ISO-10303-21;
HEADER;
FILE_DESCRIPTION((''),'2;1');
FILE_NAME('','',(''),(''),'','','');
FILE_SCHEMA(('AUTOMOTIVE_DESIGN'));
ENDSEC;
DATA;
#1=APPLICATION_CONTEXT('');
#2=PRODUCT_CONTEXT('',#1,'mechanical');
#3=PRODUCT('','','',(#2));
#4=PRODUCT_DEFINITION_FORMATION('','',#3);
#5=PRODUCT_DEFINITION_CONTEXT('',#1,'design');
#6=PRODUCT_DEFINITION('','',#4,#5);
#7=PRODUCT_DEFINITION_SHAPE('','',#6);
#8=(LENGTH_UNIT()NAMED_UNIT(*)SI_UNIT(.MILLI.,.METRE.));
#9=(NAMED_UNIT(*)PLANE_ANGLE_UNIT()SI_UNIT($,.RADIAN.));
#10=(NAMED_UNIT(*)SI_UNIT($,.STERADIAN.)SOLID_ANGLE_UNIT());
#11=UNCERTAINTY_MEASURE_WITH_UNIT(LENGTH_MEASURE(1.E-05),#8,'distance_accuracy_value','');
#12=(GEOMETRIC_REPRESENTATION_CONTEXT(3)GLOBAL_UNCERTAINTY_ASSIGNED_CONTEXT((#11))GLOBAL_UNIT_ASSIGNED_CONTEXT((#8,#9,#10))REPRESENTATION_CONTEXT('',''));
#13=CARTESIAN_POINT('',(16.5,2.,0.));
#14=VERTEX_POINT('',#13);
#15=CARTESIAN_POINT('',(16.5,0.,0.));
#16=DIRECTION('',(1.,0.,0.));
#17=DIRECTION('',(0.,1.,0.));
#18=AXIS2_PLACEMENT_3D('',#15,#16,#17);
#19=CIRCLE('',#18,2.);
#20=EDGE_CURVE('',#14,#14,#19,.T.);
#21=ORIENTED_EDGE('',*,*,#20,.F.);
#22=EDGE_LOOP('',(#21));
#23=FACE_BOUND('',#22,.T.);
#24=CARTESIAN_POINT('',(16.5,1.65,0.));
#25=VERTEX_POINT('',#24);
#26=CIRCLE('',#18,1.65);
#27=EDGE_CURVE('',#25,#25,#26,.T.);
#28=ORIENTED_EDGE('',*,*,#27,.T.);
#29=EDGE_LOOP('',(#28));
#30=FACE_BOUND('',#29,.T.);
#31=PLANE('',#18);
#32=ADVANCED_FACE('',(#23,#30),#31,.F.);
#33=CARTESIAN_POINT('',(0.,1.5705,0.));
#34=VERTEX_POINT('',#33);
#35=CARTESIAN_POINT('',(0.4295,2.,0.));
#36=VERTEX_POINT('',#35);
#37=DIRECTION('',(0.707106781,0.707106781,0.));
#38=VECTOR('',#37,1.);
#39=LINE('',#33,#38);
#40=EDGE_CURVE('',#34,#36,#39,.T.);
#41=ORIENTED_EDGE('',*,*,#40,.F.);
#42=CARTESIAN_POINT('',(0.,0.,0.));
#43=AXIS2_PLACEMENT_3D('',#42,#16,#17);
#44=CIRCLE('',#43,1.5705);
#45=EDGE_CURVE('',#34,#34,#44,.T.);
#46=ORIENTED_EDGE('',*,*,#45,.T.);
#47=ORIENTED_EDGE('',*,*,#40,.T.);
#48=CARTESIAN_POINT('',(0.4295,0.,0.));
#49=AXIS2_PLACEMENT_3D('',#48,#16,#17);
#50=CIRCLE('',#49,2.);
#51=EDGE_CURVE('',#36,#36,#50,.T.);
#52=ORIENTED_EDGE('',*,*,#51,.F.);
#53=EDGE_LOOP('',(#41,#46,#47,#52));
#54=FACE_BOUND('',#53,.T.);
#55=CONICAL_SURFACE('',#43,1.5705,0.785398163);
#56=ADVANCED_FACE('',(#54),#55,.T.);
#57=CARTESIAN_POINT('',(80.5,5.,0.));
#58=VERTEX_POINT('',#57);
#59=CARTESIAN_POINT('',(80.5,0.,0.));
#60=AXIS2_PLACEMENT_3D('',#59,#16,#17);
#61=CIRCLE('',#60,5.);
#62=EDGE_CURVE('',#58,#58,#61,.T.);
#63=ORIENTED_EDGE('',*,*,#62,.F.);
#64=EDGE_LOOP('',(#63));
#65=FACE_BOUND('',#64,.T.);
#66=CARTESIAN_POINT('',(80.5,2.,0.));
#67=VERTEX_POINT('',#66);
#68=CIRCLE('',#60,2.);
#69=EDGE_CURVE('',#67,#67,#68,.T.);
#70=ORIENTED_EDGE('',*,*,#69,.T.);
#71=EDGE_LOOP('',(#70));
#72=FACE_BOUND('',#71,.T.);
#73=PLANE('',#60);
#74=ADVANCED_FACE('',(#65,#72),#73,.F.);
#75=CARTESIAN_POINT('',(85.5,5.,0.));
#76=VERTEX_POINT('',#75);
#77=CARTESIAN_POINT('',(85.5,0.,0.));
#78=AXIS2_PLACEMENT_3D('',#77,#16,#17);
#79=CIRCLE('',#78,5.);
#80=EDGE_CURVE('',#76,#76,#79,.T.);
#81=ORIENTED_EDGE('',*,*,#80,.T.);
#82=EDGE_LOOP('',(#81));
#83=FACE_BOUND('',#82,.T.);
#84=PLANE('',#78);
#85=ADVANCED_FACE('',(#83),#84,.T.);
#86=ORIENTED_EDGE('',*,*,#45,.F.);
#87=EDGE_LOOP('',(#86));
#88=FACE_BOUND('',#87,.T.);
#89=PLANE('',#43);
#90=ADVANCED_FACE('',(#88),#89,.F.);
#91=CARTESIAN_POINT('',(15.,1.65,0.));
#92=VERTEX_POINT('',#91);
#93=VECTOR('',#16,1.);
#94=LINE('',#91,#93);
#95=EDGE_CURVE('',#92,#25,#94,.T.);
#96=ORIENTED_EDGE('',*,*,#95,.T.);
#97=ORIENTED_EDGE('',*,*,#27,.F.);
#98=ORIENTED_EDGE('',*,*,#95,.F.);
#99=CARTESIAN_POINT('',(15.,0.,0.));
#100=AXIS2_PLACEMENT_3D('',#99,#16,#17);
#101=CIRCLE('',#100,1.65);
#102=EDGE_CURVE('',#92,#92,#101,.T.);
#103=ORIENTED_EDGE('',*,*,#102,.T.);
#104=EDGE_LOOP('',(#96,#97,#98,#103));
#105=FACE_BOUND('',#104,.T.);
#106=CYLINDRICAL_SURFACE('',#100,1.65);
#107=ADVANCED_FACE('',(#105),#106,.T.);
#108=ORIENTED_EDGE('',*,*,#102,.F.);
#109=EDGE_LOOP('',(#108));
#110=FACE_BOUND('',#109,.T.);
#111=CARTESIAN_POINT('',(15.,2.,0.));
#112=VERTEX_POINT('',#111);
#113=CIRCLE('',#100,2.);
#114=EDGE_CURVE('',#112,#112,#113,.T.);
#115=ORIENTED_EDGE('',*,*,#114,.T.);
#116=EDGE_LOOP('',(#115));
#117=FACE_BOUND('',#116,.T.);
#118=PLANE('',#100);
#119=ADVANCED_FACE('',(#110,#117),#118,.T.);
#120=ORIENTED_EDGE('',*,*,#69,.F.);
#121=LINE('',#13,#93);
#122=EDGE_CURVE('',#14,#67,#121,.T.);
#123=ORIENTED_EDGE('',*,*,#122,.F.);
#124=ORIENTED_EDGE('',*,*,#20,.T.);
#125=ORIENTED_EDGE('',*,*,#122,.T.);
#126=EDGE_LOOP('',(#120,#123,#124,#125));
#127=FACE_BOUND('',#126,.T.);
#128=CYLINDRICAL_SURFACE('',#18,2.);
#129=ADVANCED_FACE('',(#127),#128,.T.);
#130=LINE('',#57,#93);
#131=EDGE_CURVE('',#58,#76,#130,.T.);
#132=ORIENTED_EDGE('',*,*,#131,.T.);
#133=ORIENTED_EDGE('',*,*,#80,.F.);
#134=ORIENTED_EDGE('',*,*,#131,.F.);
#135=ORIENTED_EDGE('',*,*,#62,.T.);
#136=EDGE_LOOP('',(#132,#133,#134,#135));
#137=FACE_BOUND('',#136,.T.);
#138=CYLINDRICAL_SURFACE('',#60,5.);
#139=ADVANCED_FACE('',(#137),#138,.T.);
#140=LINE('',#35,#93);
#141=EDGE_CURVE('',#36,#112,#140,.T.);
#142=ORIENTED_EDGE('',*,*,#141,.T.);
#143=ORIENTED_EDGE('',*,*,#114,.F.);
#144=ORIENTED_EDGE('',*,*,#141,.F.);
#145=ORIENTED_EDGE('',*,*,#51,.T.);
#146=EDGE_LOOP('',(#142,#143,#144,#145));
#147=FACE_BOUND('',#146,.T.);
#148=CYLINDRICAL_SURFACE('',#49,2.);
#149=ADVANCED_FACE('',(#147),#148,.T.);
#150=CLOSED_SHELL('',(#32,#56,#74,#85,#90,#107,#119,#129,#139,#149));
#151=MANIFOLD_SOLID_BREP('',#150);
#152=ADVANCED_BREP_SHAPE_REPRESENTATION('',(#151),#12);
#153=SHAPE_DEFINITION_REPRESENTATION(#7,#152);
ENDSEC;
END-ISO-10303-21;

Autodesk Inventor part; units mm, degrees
sketch "Sketch_2" plane through (0, 0, 0) normal (0, 0, 1) x (1, 0, 0)
  line L0 (85.5, 0) -> (0, 0)
  line L1 (0, 0) -> (0, 1.5705)
  line L2 (0, 1.5705) -> (0.4295, 2)
  line L3 (0.4295, 2) -> (15, 2)
  line L4 (15, 2) -> (15, 1.65)
  line L5 (15, 1.65) -> (16.5, 1.65)
  line L6 (16.5, 1.65) -> (16.5, 2)
  line L7 (16.5, 2) -> (80.5, 2)
  line L8 (80.5, 2) -> (80.5, 5)
  line L9 (80.5, 5) -> (85.5, 5)
  line L10 (85.5, 5) -> (85.5, 0)
  line L11 (85.5, 0) -> (0, 0)
revolve "Revolution1" add sketch "Sketch_2" angle 360 about axis through (85.5, 0, 0) along (1, 0, 0)
thread "Thread1" size "M4x0.7" class "6g" standard "ISO Metric profile" full length
ref_plane "ROD_BA_XY" through (8, 0, 0) normal (-1, 0, 0) x (0, 0, -1)
ref_plane "ROD_BA_YZ" through (8, 0, 0) normal (0, 0, -1) x (0, -1, 0)
ref_plane "ROD_BA_ZX" through (8, 0, 0) normal (0, -1, 0) x (-1, 0, 0)
ref_plane "ROD_BODY_XY" through (28, 0, 0) normal (1, 0, 0) x (0, 0, -1)
ref_plane "ROD_BODY_YZ" through (28, 0, 0) normal (0, 0, -1) x (0, 1, 0)
ref_plane "ROD_BODY_ZX" through (28, 0, 0) normal (0, 1, 0) x (1, 0, 0)
ref_plane "rodnt1_XY" through (7.5, 0, 0) normal (1, 0, 0) x (0, 0, -1)
ref_plane "rodnt1_YZ" through (7.5, 0, 0) normal (0, 0, -1) x (0, 1, 0)
ref_plane "rodnt1_ZX" through (7.5, 0, 0) normal (0, 1, 0) x (1, 0, 0)
properties part number "CJ2D10-40Z_ROD"
